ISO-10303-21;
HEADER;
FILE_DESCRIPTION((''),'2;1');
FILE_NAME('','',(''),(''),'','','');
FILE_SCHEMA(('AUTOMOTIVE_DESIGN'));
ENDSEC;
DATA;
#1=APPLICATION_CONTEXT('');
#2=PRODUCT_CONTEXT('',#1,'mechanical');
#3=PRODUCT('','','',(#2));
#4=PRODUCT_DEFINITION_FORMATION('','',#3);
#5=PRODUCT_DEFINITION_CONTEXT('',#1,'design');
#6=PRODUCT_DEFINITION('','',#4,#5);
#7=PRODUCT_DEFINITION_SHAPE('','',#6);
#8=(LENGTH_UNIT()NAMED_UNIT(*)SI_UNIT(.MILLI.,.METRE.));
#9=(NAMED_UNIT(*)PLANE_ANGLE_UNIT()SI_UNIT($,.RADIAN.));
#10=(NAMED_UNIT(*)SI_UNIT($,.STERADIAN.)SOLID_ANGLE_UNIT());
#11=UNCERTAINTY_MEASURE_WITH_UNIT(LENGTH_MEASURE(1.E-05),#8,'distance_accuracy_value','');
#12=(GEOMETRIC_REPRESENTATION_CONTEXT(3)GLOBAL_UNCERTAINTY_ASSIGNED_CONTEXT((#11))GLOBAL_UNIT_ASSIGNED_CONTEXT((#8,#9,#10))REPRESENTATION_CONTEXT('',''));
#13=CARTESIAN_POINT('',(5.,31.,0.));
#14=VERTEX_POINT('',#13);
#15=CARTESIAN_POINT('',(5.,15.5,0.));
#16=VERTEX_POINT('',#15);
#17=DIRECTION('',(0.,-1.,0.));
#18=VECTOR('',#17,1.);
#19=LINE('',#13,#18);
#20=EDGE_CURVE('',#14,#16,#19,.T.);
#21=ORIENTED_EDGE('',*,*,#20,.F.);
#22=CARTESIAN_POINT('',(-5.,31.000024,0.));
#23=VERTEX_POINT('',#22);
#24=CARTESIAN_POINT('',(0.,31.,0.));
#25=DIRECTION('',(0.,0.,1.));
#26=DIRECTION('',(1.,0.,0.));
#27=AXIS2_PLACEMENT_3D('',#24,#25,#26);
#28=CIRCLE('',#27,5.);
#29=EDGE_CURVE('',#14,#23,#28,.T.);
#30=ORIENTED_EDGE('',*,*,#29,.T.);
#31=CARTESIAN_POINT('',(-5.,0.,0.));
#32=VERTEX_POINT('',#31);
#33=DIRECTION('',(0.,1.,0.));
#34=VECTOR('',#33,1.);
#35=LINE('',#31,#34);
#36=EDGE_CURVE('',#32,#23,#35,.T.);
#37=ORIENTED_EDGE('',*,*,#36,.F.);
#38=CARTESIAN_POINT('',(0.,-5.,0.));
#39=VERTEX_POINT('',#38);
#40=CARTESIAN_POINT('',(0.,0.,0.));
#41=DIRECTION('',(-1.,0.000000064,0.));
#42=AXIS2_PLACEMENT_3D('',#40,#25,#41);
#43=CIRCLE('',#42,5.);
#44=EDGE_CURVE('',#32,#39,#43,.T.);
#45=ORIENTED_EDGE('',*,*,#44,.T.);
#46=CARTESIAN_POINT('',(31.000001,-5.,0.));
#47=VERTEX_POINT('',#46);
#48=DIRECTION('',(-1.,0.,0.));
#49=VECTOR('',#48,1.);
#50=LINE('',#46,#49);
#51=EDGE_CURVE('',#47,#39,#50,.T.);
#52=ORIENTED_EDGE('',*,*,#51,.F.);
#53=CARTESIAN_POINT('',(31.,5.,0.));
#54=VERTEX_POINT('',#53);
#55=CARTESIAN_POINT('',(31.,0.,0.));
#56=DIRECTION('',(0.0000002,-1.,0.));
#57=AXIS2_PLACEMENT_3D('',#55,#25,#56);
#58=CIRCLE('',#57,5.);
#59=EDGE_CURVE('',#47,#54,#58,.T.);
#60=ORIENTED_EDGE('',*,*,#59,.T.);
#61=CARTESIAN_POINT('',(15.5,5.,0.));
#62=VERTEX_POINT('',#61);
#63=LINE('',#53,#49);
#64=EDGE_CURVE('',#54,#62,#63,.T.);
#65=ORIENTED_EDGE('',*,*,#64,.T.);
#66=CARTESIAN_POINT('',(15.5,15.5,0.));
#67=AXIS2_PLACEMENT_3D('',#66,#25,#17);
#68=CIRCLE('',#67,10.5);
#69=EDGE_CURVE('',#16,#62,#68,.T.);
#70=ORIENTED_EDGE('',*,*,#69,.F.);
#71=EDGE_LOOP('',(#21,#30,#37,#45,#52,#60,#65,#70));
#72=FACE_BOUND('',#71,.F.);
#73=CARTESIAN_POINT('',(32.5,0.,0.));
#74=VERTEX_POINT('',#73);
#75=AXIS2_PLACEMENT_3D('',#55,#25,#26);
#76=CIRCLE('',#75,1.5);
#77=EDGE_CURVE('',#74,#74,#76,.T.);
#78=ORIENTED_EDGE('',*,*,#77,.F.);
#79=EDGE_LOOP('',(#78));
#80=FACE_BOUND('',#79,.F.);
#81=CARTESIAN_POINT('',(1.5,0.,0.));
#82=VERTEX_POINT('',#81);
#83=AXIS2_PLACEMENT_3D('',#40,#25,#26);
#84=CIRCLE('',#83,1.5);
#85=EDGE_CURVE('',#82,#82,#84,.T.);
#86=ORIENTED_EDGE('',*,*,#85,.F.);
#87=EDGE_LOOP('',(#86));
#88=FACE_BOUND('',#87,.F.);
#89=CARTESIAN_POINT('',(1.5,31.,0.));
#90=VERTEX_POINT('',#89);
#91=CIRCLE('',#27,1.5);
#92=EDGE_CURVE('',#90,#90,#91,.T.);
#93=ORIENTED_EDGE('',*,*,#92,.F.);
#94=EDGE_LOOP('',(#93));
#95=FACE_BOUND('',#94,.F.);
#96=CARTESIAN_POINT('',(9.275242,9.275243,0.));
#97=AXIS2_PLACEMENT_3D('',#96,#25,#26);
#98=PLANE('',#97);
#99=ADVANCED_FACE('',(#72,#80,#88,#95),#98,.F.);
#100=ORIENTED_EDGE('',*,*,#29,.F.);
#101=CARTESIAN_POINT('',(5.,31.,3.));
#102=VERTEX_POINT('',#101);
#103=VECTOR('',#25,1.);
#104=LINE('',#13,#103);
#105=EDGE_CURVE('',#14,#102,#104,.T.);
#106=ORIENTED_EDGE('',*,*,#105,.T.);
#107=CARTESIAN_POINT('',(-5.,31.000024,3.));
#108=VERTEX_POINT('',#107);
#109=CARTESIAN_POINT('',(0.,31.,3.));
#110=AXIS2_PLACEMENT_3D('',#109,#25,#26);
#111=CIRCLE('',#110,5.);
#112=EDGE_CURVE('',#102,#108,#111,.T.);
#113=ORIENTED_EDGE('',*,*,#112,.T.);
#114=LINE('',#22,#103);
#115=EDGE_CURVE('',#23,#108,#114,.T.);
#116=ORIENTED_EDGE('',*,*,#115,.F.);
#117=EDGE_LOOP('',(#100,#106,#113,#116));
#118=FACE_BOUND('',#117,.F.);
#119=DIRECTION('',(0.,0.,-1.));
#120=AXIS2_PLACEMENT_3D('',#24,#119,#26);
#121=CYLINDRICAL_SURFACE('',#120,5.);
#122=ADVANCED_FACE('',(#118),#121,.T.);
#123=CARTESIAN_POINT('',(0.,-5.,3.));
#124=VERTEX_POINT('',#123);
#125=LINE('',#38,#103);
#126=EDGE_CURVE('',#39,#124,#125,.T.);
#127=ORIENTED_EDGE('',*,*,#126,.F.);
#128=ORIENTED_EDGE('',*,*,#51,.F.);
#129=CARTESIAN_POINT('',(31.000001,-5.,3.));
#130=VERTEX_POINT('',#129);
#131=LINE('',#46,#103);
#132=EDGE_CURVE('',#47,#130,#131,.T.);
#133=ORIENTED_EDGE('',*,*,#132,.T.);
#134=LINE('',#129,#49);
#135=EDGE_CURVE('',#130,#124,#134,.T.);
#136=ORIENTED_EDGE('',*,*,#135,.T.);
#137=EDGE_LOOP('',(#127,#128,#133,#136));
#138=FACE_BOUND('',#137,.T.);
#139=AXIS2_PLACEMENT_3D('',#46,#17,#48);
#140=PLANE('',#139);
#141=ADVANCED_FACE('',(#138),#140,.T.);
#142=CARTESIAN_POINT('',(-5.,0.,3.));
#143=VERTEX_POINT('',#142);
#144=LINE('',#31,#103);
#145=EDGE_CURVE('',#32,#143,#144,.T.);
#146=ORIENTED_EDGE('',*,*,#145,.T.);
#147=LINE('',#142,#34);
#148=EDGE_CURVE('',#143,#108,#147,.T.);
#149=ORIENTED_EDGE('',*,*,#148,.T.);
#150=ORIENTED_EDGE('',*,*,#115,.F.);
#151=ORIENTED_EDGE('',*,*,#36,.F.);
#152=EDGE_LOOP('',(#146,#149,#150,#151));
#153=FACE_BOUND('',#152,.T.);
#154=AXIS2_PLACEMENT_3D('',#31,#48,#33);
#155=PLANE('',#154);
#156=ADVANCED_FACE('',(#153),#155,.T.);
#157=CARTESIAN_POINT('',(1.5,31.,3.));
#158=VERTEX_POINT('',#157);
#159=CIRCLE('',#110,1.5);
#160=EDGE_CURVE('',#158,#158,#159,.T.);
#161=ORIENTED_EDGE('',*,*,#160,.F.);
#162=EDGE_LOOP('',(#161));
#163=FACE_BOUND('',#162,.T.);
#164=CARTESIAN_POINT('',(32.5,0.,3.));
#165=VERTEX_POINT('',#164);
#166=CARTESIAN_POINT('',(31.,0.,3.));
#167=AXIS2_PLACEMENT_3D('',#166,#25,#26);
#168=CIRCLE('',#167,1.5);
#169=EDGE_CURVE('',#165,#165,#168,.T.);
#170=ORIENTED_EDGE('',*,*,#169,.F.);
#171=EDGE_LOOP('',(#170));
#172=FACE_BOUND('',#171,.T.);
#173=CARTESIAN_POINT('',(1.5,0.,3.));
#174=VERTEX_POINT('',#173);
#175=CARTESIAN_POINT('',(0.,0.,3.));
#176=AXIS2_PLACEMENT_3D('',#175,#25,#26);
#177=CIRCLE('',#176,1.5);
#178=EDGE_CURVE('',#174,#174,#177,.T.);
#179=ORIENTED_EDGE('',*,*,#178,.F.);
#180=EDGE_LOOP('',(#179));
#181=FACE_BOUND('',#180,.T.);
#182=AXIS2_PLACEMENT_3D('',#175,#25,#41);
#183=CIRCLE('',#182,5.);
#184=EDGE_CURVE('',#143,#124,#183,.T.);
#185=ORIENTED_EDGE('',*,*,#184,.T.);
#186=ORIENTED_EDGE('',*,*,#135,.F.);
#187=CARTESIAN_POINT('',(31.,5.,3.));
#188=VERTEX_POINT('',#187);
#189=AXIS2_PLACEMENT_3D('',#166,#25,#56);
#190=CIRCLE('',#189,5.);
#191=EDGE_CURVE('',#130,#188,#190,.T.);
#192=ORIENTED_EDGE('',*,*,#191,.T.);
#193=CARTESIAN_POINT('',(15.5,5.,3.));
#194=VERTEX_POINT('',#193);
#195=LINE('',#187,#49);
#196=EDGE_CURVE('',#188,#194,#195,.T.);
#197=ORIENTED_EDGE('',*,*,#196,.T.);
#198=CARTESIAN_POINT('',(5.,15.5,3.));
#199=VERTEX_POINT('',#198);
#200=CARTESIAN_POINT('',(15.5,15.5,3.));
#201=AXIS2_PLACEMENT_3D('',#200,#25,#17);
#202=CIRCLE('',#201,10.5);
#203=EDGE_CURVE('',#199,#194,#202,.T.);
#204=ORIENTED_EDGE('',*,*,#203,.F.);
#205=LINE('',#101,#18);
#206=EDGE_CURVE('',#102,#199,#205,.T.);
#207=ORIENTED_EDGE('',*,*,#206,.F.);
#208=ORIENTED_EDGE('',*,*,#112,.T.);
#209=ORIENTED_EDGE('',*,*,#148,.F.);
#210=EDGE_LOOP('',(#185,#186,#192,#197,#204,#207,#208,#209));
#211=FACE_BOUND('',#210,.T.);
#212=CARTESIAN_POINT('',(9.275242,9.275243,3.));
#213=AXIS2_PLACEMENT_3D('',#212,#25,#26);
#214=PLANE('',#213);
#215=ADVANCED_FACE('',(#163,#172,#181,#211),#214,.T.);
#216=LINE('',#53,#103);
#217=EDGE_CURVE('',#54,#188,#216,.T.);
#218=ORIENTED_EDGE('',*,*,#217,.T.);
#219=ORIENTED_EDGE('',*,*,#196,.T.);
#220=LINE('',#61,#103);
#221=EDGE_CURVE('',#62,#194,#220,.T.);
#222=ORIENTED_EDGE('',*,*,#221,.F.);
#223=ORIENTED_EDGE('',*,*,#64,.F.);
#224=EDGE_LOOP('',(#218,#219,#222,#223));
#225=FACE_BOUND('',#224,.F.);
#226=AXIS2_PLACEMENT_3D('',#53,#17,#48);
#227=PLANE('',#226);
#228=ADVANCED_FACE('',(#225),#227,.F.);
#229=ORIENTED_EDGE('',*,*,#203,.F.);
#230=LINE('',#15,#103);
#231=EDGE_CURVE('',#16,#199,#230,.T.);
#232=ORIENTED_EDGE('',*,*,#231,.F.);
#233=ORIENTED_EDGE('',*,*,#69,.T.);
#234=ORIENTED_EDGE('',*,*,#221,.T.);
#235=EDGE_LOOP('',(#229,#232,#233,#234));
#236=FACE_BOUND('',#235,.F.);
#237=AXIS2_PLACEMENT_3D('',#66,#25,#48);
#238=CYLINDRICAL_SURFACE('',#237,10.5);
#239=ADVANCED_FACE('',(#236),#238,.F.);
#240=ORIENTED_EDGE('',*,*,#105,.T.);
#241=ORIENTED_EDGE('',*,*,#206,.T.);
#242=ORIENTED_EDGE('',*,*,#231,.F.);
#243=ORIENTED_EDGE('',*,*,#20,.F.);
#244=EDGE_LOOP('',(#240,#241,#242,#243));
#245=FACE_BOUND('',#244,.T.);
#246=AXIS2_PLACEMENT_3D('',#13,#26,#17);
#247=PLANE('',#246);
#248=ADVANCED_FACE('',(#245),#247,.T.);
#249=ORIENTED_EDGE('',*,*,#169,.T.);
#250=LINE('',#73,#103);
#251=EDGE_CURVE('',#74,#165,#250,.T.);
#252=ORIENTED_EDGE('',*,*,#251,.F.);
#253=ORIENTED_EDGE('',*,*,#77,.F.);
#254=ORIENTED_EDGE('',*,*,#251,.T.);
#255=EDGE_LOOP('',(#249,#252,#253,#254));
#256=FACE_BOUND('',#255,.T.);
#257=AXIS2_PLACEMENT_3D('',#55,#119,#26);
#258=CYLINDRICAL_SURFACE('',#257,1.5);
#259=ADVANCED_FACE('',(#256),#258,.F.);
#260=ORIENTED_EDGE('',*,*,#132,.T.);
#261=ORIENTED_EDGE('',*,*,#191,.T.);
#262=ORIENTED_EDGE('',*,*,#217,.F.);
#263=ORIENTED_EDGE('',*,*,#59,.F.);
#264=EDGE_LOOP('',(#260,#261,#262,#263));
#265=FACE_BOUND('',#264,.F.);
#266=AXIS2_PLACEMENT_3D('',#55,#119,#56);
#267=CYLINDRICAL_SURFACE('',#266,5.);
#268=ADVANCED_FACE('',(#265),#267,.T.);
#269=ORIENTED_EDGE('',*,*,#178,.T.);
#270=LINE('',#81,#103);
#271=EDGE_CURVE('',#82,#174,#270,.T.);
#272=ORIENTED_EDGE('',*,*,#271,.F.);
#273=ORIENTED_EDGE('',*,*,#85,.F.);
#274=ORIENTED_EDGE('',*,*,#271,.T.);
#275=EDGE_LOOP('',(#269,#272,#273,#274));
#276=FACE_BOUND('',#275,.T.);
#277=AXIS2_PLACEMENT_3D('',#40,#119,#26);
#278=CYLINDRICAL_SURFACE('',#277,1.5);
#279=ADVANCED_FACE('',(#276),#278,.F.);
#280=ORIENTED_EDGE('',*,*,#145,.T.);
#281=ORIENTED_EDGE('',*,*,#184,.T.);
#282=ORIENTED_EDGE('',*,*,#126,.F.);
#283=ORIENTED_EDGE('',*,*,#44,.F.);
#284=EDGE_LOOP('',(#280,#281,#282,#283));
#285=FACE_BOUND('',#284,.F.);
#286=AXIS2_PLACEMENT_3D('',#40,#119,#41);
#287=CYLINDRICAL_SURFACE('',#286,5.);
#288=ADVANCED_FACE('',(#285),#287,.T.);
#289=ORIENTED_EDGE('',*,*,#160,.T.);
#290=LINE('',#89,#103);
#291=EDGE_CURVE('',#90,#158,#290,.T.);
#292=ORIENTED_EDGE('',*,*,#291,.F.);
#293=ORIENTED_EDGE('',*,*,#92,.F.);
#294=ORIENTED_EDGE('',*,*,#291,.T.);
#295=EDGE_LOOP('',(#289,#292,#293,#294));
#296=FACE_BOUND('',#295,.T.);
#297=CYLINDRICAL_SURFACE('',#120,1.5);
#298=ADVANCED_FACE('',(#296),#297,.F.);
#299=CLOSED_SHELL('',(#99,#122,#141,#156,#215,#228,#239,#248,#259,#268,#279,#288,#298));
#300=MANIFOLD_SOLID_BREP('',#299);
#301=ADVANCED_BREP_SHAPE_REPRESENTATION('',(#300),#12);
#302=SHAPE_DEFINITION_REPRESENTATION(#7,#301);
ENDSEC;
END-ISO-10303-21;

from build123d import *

# Parameters (mm, degrees)
SKETCH_R  = 1.5
PAD_DEPTH = 3
FILLET_R  = 10.5


with BuildPart() as part:
    # Sketch → Pad (new body)
    with BuildSketch(Plane.XY):
        with BuildLine():
            ThreePointArc((5, 31), (1.2e-05, 36), (-5, 31.000024))
            Line((-5, 0), (-5, 31.000024))
            ThreePointArc((-5, 0), (-3.535534, -3.535534), (0, -5))
            Line((31.000001, -5), (0, -5))
            ThreePointArc((31.000001, -5), (36, 0), (31, 5))
            Line((31, 5), (5, 5))
            Line((5, 31), (5, 5))
        make_face()
        Circle(SKETCH_R, mode=Mode.SUBTRACT)
        with Locations((0, 31)):
            Circle(SKETCH_R, mode=Mode.SUBTRACT)
        with Locations((31, 0)):
            Circle(SKETCH_R, mode=Mode.SUBTRACT)
    extrude(amount=PAD_DEPTH)

    # Fillet
    fillet_edges = [part.edges().sort_by_distance(p)[0] for p in [
        (5, 5, 1.5),
    ]]
    fillet(fillet_edges, radius=FILLET_R)


solid = part.part
